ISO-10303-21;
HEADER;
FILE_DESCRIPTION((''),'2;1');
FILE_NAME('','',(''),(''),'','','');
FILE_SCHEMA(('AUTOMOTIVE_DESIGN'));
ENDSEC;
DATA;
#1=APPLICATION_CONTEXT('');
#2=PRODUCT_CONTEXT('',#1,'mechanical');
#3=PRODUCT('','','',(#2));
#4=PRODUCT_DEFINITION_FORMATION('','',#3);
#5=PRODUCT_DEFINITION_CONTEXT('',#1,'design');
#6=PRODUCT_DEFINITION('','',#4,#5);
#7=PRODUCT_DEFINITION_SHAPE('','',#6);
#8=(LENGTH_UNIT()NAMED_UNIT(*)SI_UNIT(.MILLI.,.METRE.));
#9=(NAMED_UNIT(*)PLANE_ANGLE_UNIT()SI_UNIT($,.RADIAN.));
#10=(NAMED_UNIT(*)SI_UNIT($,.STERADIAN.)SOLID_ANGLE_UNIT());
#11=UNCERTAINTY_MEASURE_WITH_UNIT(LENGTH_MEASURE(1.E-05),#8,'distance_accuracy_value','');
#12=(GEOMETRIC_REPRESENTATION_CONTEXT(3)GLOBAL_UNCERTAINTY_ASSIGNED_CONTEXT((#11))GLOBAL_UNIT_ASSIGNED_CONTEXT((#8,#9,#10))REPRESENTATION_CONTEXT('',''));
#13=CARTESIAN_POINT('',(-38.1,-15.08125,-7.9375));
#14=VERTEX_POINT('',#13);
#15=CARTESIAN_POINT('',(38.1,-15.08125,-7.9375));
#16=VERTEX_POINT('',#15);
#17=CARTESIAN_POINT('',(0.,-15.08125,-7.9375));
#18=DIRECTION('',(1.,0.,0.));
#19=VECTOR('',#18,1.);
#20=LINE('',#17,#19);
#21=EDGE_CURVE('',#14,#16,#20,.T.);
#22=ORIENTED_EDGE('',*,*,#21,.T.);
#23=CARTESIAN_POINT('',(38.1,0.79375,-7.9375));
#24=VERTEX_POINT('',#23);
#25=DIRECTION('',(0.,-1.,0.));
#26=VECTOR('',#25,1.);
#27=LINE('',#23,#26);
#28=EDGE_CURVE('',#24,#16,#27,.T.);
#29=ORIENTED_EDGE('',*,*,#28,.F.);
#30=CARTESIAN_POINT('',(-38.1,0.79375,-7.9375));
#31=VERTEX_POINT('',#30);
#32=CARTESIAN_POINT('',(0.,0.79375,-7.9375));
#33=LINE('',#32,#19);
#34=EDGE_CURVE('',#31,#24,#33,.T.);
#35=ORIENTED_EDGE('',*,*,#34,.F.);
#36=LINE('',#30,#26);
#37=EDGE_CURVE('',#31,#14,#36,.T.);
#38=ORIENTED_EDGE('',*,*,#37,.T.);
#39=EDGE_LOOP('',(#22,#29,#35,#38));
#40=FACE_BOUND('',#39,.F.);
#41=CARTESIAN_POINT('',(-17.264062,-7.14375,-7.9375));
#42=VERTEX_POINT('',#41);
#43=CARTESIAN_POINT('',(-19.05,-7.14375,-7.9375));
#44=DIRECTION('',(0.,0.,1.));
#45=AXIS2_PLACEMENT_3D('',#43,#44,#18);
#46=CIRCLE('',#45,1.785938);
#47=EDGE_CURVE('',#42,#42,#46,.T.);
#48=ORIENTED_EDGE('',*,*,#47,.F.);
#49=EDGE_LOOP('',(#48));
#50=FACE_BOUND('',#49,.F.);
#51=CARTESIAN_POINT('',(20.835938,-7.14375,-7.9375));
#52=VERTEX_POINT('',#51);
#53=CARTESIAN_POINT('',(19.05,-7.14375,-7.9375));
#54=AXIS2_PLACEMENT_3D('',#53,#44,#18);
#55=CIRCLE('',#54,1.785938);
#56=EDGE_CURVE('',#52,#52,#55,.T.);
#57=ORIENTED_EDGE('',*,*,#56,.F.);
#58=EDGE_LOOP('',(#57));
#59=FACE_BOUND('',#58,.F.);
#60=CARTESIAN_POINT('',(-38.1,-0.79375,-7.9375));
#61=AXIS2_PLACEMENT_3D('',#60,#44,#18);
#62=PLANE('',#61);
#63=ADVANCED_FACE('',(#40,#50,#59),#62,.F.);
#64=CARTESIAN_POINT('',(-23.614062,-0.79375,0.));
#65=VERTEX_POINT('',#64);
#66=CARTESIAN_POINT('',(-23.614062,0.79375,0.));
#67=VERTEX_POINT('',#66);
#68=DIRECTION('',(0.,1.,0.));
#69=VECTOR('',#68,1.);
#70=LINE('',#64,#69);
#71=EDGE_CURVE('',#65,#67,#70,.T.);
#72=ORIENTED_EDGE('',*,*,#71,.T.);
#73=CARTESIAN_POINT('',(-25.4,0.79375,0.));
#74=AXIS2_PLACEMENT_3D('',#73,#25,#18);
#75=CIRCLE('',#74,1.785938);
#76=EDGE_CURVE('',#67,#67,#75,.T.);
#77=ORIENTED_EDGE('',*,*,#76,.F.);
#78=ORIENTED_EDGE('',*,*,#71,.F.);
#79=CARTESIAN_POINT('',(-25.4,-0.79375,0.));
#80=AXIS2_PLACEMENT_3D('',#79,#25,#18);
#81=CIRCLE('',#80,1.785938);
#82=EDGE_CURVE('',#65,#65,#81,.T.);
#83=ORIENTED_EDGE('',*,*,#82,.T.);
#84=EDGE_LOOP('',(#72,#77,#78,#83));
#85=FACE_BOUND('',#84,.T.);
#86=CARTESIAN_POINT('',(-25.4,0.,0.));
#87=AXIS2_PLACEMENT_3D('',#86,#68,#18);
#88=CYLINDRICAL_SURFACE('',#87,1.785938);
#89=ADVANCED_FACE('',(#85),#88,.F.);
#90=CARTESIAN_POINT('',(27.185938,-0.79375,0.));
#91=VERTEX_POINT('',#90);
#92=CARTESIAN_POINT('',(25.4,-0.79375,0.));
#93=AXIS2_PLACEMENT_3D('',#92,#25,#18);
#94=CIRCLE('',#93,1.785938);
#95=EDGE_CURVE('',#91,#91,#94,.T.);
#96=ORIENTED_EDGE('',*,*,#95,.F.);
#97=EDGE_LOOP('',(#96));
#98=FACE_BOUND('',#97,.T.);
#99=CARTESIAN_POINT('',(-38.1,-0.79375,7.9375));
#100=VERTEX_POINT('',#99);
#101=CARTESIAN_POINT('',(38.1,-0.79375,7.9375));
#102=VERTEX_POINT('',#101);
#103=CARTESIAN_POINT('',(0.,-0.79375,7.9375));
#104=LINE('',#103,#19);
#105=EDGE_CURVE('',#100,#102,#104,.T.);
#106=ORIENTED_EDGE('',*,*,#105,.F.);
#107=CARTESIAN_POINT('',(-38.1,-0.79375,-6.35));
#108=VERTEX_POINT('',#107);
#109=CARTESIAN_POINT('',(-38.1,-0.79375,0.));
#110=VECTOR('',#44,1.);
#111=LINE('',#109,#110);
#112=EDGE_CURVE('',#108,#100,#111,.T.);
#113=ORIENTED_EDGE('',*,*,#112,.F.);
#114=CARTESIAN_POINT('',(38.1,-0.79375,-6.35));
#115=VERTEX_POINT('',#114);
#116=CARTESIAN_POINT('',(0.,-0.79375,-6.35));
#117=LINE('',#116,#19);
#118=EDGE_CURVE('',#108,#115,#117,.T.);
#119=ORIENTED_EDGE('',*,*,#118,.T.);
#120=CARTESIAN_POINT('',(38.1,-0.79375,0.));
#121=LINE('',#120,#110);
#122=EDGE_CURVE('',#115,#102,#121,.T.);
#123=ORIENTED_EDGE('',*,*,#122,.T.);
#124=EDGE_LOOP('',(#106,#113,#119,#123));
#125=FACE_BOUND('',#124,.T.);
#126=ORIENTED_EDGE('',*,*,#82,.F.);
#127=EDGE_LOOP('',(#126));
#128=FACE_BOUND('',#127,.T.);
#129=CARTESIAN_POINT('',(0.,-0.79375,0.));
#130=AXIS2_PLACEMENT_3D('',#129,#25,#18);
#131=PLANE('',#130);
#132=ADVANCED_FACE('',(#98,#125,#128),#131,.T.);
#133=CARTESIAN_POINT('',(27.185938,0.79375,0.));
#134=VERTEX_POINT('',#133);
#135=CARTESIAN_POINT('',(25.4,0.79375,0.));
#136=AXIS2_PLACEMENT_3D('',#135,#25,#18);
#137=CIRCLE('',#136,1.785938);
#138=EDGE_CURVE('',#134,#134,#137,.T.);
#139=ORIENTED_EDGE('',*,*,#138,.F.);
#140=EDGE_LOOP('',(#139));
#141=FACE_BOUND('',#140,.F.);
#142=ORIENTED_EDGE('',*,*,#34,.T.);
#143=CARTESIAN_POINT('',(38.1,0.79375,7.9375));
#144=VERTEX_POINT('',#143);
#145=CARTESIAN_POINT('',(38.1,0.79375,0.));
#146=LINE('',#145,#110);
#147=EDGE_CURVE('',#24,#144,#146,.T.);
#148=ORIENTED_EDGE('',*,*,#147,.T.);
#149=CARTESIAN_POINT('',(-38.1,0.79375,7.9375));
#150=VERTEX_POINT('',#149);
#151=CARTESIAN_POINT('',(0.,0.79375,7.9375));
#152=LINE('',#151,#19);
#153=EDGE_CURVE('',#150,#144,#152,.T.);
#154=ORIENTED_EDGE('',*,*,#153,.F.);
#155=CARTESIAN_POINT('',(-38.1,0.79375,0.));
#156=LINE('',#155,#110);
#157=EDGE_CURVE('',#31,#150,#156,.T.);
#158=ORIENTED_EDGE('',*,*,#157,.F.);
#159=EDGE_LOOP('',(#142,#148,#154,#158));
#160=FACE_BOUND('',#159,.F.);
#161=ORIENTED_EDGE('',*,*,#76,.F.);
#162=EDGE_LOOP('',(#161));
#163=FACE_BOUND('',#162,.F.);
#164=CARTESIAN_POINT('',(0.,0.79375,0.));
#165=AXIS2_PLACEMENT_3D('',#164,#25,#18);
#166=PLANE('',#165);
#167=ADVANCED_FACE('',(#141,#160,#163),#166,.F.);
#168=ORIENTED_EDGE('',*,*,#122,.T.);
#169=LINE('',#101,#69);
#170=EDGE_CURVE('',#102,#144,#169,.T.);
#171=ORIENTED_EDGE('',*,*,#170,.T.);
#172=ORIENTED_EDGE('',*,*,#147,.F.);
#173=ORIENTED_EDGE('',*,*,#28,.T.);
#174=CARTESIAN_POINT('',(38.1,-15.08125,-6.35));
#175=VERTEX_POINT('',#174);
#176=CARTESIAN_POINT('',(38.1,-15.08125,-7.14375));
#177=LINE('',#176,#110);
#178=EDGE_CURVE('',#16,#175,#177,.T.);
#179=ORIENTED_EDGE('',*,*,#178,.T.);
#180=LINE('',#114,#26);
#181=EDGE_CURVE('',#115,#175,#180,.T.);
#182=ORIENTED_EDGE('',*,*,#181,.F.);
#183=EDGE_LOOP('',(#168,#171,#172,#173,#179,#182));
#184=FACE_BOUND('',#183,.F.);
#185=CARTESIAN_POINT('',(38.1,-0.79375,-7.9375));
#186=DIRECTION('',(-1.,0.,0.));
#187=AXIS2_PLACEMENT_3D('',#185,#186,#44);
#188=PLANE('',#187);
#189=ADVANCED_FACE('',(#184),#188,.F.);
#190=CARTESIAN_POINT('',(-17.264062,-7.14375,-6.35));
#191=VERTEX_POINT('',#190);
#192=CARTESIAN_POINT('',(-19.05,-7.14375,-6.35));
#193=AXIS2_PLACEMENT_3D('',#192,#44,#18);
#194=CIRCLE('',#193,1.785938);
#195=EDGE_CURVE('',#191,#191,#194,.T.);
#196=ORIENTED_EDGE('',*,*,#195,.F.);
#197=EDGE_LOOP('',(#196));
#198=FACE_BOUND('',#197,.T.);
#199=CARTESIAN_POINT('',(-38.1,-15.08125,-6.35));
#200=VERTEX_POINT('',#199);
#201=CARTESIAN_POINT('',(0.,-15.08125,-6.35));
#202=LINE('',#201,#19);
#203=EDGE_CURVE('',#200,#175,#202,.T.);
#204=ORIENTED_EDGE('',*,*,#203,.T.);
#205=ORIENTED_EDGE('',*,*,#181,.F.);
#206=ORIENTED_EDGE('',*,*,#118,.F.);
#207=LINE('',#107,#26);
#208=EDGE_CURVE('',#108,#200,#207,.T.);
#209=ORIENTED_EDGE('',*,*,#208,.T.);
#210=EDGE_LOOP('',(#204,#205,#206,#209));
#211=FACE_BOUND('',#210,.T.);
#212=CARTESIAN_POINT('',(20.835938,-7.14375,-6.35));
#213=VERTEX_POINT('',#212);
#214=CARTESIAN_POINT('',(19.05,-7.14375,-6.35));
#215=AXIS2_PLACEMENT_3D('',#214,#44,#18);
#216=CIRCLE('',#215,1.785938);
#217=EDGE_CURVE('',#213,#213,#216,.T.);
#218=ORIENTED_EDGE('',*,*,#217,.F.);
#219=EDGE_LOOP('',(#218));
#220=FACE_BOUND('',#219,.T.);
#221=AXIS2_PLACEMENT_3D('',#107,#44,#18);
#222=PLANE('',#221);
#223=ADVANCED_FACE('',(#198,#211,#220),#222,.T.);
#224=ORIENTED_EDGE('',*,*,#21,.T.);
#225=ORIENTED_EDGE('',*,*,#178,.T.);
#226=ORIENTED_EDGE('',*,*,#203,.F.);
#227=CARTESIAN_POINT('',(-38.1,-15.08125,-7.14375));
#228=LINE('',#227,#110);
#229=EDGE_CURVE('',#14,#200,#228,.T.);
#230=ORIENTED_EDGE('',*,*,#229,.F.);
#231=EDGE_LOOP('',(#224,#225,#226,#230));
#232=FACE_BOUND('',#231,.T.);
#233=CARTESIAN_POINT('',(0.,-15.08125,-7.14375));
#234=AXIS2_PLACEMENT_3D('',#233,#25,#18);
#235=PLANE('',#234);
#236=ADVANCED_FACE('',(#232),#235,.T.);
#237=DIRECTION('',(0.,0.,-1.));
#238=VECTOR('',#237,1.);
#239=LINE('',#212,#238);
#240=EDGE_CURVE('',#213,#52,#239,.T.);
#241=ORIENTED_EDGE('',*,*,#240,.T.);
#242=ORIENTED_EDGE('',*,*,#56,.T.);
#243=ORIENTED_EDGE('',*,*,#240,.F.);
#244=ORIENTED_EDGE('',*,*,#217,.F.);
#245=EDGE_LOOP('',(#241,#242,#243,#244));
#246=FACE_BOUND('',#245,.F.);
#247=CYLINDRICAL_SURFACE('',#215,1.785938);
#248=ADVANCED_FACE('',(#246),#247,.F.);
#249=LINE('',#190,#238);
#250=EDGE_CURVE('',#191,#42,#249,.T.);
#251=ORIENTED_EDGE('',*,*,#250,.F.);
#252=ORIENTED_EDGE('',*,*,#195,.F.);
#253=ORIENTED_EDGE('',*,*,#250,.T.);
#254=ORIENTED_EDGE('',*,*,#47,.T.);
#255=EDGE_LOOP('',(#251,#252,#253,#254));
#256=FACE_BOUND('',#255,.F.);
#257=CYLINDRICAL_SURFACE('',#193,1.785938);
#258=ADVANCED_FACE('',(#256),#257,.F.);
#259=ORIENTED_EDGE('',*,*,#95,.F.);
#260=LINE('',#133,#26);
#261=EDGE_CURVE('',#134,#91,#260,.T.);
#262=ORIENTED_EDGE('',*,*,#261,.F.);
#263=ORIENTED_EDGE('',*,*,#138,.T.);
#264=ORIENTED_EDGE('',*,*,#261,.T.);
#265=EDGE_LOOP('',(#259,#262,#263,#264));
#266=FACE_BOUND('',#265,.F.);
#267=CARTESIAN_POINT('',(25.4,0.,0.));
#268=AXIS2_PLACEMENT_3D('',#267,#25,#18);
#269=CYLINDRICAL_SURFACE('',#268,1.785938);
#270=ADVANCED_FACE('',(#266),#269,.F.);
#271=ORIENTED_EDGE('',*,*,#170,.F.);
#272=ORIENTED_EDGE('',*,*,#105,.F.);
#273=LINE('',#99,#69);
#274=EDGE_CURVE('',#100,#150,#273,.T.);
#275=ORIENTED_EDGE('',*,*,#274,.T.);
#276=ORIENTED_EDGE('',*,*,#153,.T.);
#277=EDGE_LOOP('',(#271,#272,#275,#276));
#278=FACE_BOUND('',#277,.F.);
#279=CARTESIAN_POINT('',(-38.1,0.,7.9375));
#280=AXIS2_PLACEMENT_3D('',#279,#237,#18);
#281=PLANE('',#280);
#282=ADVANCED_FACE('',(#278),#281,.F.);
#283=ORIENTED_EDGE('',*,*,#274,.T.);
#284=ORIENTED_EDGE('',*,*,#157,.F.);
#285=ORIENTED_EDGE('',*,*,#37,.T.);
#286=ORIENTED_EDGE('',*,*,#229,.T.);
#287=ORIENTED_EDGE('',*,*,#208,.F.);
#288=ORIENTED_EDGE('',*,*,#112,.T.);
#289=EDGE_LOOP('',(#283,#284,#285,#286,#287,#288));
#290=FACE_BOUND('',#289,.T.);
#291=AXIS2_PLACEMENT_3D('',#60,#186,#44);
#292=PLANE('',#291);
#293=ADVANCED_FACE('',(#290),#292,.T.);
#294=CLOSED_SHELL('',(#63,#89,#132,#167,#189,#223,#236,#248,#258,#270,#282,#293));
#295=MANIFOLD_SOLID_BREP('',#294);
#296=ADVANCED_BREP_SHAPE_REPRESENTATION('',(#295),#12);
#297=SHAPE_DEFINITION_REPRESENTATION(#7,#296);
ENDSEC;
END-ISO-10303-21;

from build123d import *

# Parameters (mm, degrees)
F0_W     = 76.2
F0_H     = 15.875
F1_DEPTH = 0.79375
F2_R     = 1.785938
F3_DEPTH = 0.79375
F4_W     = 76.2
F4_H     = 1.5875
F5_DEPTH = 14.2875
F6_R     = 1.785938
F7_DEPTH = 1.5885


with BuildPart() as f1:
    # F0 (on Front) → F1 (new body, symmetric)
    with BuildSketch(Plane.XZ):
        Rectangle(F0_W, F0_H)
    extrude(amount=F1_DEPTH, both=True)

    # F2 (on Front) → F3 (cut, symmetric)
    with BuildSketch(Plane.XZ):
        with Locations((-25.4, 0)):
            Circle(F2_R)
        with Locations((25.4, 0)):
            Circle(F2_R)
    extrude(amount=F3_DEPTH, both=True, mode=Mode.SUBTRACT)

    # F4 (on face) → F5 (join)
    with BuildSketch(Plane.XZ.offset(0.79375)):
        with Locations((0, -7.14375)):
            Rectangle(F4_W, F4_H)
    extrude(amount=F5_DEPTH)

    # F6 (on face) → F7 (cut, through all)
    with BuildSketch(Plane.XY.offset(-6.35)):
        with Locations((-19.05, -7.14375)):
            Circle(F6_R)
        with Locations((19.05, -7.14375)):
            Circle(F6_R)
    extrude(amount=-F7_DEPTH, mode=Mode.SUBTRACT)


solid = f1.part
